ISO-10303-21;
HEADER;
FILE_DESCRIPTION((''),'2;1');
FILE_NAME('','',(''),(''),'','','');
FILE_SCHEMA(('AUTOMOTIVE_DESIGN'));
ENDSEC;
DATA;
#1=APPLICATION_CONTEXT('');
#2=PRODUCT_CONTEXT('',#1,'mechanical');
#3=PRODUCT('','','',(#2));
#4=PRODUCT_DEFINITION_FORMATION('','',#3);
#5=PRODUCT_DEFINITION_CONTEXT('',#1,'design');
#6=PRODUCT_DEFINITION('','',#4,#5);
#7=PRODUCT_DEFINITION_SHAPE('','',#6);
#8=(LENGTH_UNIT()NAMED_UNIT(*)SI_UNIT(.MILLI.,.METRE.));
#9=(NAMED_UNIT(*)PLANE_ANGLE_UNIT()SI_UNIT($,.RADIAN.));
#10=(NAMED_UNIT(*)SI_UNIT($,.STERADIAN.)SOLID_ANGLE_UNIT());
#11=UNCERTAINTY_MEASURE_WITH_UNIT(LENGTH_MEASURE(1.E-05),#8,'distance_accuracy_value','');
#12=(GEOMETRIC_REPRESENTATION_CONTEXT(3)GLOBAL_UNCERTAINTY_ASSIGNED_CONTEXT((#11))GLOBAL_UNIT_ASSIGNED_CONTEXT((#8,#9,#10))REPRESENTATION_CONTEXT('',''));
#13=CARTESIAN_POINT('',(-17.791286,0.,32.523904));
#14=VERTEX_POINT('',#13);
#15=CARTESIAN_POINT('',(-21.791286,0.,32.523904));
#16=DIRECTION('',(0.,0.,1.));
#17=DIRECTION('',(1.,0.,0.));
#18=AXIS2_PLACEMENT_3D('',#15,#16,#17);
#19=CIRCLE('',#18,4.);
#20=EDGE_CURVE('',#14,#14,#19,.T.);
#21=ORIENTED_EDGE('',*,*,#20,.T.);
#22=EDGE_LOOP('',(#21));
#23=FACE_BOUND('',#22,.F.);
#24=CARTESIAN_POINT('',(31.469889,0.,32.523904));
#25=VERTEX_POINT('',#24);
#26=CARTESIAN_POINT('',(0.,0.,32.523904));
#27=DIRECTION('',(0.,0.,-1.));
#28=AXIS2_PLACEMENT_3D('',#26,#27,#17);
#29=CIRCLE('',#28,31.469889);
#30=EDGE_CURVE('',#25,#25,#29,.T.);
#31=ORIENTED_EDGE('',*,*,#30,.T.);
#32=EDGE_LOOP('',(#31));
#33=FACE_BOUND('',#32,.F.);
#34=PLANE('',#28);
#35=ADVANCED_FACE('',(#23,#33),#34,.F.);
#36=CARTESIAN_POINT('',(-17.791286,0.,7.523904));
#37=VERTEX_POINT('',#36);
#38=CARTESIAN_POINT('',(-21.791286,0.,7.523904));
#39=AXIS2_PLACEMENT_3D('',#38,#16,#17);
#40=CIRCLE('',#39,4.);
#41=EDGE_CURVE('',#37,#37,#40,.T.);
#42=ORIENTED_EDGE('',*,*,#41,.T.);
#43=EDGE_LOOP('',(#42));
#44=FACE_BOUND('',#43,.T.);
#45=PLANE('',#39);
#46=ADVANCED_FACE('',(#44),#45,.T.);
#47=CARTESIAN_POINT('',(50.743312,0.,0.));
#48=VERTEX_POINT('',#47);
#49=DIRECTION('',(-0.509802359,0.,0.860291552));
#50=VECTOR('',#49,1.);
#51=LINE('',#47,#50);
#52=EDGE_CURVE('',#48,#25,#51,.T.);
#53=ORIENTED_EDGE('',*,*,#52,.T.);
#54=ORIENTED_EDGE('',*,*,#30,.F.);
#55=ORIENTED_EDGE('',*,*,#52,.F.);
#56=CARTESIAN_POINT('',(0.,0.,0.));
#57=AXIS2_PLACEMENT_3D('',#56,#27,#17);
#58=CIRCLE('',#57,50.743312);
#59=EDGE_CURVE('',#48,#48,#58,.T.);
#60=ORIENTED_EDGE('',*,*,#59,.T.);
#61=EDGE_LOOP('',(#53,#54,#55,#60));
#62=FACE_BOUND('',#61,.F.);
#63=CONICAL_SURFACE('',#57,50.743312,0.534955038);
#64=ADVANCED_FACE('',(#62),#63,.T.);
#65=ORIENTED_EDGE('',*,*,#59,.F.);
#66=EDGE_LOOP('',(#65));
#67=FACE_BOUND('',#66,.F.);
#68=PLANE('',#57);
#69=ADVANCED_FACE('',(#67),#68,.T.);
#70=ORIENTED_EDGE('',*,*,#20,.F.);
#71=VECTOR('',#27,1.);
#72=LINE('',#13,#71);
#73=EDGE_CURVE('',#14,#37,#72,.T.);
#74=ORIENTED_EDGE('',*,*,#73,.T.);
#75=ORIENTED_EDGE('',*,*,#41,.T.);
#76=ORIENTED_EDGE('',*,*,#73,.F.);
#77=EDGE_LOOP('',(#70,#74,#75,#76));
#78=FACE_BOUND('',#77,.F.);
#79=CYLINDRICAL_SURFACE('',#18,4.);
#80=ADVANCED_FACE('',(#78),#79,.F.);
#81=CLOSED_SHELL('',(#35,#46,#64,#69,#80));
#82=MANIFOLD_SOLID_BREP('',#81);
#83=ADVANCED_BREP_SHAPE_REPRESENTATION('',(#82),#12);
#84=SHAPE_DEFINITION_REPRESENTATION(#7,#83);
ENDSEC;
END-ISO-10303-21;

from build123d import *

# Parameters (mm, degrees)
F2_R     = 4
F3_DEPTH = 25


with BuildPart() as f1:
    # F0 (on Front) → F1 (revolve)
    with BuildSketch(Plane.XZ):
        Polygon((0, 32.523904), (0, 0), (50.743312, 0), (31.469889, 32.523904), align=None)
    revolve(axis=Axis((0, 0, 16.261952), (0, 0, -1)))

    # F2 (on face) → F3 (cut)
    with BuildSketch(Plane.XY.offset(32.523904)):
        with Locations((-21.791286, 0)):
            Circle(F2_R)
    extrude(amount=-F3_DEPTH, mode=Mode.SUBTRACT)


solid = f1.part
